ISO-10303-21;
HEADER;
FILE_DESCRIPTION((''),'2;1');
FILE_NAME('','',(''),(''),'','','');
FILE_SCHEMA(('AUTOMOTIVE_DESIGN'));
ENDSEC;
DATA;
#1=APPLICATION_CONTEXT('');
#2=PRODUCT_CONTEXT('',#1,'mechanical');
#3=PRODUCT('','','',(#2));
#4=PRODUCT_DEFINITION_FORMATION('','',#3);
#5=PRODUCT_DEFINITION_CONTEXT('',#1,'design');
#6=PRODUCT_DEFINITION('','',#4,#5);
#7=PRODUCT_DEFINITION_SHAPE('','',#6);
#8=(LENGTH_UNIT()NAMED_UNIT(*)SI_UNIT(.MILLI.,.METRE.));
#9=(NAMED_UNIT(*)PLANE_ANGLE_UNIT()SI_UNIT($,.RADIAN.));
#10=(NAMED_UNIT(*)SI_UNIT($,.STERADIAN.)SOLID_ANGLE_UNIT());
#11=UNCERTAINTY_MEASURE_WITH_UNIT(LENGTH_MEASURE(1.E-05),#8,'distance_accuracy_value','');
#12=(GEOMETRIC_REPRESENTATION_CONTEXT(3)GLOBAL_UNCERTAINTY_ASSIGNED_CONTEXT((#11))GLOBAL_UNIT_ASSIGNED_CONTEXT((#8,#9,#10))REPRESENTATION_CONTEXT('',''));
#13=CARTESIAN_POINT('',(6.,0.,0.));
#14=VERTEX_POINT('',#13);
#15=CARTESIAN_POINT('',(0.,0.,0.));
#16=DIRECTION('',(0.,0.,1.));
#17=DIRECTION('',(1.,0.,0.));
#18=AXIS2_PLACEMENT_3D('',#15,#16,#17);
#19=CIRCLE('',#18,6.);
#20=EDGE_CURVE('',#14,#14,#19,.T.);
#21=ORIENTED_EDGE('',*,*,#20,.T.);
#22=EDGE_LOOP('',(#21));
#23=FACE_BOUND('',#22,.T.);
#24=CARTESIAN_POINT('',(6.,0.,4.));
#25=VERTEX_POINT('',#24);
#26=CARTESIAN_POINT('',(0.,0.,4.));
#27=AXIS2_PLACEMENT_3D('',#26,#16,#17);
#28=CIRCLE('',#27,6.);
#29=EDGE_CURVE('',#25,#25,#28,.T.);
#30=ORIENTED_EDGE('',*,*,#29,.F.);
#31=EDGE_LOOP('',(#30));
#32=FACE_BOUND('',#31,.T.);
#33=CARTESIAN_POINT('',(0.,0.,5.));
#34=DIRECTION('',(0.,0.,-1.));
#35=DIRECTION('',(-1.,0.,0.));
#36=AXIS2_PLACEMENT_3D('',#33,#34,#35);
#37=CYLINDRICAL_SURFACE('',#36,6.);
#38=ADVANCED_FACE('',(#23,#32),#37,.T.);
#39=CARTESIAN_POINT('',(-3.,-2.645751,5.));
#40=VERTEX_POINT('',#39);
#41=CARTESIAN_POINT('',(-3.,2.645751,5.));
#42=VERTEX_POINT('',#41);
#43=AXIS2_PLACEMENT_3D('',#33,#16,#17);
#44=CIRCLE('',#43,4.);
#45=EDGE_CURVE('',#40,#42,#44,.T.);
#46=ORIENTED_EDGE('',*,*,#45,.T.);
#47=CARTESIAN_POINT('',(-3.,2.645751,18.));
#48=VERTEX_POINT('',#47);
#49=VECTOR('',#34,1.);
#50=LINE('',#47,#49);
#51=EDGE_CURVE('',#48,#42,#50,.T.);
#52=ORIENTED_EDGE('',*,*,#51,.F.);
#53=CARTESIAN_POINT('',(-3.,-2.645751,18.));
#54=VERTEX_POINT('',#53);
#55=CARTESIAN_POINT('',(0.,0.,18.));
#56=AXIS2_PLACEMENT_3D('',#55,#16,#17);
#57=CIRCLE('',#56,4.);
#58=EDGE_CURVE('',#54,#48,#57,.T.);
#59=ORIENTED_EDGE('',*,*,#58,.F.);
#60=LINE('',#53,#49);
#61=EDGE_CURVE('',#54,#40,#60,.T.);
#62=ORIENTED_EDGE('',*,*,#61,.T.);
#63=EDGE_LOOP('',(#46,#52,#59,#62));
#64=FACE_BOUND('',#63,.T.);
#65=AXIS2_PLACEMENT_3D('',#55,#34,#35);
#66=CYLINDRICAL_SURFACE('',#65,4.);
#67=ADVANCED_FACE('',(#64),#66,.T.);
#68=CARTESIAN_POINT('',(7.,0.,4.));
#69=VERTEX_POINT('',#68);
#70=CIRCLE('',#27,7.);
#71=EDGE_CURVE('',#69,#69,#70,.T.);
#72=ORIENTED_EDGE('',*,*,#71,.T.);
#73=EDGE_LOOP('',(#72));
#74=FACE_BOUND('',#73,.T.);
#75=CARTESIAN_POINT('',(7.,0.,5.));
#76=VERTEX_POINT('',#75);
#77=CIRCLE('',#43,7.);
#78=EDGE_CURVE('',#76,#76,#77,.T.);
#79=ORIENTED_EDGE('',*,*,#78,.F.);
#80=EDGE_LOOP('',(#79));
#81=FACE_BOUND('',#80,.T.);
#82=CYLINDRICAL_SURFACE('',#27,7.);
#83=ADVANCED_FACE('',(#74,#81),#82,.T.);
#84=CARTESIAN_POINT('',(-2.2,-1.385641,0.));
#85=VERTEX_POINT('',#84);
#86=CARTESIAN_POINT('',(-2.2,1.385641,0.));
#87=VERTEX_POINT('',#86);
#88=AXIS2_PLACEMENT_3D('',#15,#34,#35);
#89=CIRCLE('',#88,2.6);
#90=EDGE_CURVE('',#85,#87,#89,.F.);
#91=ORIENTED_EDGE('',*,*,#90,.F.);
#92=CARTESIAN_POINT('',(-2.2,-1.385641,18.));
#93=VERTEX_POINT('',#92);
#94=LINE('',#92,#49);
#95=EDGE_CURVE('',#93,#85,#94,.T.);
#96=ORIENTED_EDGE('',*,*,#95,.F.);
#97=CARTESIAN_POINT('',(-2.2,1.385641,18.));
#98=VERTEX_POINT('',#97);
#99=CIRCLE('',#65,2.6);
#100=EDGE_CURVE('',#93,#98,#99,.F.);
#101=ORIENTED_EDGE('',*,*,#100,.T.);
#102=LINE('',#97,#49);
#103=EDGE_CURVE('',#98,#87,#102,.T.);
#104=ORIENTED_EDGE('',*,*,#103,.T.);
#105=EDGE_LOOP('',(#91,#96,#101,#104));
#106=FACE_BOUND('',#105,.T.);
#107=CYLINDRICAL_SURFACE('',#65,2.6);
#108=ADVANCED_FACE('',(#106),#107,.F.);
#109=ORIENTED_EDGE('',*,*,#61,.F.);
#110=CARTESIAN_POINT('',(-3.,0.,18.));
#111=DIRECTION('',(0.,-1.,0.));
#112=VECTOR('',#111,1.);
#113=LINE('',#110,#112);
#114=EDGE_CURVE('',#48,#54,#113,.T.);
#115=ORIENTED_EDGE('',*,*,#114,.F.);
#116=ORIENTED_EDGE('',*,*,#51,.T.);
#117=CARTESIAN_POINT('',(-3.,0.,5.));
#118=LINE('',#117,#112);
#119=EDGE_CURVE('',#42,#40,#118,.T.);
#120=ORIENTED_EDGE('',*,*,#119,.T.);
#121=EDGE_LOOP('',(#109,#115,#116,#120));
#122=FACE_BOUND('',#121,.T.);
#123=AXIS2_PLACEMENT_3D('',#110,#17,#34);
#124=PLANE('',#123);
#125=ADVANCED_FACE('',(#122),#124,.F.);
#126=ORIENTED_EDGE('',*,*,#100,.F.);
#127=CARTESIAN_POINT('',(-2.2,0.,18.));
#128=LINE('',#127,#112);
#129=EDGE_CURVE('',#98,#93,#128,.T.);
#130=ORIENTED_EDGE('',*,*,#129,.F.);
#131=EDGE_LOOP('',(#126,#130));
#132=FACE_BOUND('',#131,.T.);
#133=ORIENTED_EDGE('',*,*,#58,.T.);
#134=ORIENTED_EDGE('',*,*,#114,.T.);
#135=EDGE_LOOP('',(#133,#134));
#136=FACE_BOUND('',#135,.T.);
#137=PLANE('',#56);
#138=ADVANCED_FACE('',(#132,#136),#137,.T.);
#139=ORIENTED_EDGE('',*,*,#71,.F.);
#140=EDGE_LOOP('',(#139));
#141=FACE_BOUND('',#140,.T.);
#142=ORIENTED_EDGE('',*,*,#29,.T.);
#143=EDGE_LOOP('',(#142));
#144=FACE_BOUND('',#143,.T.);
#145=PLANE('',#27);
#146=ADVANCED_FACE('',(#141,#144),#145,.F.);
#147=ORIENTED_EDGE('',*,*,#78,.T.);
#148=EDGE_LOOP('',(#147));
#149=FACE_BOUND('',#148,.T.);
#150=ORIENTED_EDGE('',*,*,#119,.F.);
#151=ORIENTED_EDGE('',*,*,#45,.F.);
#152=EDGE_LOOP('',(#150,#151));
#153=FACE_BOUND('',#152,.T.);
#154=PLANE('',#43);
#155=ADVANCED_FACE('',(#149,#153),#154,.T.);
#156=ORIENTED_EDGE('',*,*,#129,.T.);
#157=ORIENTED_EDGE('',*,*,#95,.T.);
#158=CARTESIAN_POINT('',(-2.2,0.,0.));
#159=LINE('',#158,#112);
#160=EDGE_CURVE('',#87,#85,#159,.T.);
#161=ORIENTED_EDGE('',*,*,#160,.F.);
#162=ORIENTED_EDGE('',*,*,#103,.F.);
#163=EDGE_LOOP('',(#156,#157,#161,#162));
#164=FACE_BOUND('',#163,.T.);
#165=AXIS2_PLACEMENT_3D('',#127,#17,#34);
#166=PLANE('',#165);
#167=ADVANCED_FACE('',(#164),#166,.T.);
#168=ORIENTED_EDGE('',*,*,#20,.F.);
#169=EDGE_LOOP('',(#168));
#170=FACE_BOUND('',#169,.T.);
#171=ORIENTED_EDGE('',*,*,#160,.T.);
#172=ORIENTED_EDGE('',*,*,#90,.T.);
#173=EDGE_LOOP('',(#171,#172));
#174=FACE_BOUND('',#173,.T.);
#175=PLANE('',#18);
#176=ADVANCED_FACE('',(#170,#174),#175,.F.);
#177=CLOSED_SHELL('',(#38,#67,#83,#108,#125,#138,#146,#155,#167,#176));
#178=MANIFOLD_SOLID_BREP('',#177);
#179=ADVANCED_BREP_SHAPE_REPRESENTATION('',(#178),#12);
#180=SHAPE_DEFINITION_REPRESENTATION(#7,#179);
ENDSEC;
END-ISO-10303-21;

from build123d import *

# Parameters (mm, degrees)
SKETCH_1_R          = 6
EXTRUDE_1_DEPTH     = 5
SKETCH_7_R          = 7
EXTRUDE_6_DEPTH     = 1
EXTRUDE_2_DEPTH     = 13
CUT_EXTRUDE_1_DEPTH = 19


with BuildPart() as part:
    # 草图1 → 凸台-拉伸1 (new body)
    with BuildSketch(Plane.XY):
        Circle(SKETCH_1_R)
    extrude(amount=EXTRUDE_1_DEPTH)

    # 草图7 → 凸台-拉伸6 (add)
    with BuildSketch(Plane.XY.offset(5)):
        Circle(SKETCH_7_R)
    extrude(amount=-EXTRUDE_6_DEPTH)

    # 草图2 → 凸台-拉伸2 (add)
    with BuildSketch(Plane.XY.offset(5)):
        with BuildLine():
            ThreePointArc((4, 0), (1.414213562, 3.741657387), (-3, 2.645751311))
            Line((-3, 2.645751311), (-3, -2.645751311))
            ThreePointArc((-3, -2.645751311), (1.414213562, -3.741657387), (4, 0))
        make_face()
    extrude(amount=EXTRUDE_2_DEPTH)

    # 草图8 → 切除-拉伸1 (cut, through all)
    with BuildSketch(Plane.XY):
        with BuildLine():
            ThreePointArc((2.6, 0), (0.721110255, 2.497999199), (-2.2, 1.385640646))
            Line((-2.2, 1.385640646), (-2.2, -1.385640646))
            ThreePointArc((-2.2, -1.385640646), (0.721110255, -2.497999199), (2.6, 0))
        make_face()
    extrude(amount=CUT_EXTRUDE_1_DEPTH, mode=Mode.SUBTRACT)


solid = part.part
